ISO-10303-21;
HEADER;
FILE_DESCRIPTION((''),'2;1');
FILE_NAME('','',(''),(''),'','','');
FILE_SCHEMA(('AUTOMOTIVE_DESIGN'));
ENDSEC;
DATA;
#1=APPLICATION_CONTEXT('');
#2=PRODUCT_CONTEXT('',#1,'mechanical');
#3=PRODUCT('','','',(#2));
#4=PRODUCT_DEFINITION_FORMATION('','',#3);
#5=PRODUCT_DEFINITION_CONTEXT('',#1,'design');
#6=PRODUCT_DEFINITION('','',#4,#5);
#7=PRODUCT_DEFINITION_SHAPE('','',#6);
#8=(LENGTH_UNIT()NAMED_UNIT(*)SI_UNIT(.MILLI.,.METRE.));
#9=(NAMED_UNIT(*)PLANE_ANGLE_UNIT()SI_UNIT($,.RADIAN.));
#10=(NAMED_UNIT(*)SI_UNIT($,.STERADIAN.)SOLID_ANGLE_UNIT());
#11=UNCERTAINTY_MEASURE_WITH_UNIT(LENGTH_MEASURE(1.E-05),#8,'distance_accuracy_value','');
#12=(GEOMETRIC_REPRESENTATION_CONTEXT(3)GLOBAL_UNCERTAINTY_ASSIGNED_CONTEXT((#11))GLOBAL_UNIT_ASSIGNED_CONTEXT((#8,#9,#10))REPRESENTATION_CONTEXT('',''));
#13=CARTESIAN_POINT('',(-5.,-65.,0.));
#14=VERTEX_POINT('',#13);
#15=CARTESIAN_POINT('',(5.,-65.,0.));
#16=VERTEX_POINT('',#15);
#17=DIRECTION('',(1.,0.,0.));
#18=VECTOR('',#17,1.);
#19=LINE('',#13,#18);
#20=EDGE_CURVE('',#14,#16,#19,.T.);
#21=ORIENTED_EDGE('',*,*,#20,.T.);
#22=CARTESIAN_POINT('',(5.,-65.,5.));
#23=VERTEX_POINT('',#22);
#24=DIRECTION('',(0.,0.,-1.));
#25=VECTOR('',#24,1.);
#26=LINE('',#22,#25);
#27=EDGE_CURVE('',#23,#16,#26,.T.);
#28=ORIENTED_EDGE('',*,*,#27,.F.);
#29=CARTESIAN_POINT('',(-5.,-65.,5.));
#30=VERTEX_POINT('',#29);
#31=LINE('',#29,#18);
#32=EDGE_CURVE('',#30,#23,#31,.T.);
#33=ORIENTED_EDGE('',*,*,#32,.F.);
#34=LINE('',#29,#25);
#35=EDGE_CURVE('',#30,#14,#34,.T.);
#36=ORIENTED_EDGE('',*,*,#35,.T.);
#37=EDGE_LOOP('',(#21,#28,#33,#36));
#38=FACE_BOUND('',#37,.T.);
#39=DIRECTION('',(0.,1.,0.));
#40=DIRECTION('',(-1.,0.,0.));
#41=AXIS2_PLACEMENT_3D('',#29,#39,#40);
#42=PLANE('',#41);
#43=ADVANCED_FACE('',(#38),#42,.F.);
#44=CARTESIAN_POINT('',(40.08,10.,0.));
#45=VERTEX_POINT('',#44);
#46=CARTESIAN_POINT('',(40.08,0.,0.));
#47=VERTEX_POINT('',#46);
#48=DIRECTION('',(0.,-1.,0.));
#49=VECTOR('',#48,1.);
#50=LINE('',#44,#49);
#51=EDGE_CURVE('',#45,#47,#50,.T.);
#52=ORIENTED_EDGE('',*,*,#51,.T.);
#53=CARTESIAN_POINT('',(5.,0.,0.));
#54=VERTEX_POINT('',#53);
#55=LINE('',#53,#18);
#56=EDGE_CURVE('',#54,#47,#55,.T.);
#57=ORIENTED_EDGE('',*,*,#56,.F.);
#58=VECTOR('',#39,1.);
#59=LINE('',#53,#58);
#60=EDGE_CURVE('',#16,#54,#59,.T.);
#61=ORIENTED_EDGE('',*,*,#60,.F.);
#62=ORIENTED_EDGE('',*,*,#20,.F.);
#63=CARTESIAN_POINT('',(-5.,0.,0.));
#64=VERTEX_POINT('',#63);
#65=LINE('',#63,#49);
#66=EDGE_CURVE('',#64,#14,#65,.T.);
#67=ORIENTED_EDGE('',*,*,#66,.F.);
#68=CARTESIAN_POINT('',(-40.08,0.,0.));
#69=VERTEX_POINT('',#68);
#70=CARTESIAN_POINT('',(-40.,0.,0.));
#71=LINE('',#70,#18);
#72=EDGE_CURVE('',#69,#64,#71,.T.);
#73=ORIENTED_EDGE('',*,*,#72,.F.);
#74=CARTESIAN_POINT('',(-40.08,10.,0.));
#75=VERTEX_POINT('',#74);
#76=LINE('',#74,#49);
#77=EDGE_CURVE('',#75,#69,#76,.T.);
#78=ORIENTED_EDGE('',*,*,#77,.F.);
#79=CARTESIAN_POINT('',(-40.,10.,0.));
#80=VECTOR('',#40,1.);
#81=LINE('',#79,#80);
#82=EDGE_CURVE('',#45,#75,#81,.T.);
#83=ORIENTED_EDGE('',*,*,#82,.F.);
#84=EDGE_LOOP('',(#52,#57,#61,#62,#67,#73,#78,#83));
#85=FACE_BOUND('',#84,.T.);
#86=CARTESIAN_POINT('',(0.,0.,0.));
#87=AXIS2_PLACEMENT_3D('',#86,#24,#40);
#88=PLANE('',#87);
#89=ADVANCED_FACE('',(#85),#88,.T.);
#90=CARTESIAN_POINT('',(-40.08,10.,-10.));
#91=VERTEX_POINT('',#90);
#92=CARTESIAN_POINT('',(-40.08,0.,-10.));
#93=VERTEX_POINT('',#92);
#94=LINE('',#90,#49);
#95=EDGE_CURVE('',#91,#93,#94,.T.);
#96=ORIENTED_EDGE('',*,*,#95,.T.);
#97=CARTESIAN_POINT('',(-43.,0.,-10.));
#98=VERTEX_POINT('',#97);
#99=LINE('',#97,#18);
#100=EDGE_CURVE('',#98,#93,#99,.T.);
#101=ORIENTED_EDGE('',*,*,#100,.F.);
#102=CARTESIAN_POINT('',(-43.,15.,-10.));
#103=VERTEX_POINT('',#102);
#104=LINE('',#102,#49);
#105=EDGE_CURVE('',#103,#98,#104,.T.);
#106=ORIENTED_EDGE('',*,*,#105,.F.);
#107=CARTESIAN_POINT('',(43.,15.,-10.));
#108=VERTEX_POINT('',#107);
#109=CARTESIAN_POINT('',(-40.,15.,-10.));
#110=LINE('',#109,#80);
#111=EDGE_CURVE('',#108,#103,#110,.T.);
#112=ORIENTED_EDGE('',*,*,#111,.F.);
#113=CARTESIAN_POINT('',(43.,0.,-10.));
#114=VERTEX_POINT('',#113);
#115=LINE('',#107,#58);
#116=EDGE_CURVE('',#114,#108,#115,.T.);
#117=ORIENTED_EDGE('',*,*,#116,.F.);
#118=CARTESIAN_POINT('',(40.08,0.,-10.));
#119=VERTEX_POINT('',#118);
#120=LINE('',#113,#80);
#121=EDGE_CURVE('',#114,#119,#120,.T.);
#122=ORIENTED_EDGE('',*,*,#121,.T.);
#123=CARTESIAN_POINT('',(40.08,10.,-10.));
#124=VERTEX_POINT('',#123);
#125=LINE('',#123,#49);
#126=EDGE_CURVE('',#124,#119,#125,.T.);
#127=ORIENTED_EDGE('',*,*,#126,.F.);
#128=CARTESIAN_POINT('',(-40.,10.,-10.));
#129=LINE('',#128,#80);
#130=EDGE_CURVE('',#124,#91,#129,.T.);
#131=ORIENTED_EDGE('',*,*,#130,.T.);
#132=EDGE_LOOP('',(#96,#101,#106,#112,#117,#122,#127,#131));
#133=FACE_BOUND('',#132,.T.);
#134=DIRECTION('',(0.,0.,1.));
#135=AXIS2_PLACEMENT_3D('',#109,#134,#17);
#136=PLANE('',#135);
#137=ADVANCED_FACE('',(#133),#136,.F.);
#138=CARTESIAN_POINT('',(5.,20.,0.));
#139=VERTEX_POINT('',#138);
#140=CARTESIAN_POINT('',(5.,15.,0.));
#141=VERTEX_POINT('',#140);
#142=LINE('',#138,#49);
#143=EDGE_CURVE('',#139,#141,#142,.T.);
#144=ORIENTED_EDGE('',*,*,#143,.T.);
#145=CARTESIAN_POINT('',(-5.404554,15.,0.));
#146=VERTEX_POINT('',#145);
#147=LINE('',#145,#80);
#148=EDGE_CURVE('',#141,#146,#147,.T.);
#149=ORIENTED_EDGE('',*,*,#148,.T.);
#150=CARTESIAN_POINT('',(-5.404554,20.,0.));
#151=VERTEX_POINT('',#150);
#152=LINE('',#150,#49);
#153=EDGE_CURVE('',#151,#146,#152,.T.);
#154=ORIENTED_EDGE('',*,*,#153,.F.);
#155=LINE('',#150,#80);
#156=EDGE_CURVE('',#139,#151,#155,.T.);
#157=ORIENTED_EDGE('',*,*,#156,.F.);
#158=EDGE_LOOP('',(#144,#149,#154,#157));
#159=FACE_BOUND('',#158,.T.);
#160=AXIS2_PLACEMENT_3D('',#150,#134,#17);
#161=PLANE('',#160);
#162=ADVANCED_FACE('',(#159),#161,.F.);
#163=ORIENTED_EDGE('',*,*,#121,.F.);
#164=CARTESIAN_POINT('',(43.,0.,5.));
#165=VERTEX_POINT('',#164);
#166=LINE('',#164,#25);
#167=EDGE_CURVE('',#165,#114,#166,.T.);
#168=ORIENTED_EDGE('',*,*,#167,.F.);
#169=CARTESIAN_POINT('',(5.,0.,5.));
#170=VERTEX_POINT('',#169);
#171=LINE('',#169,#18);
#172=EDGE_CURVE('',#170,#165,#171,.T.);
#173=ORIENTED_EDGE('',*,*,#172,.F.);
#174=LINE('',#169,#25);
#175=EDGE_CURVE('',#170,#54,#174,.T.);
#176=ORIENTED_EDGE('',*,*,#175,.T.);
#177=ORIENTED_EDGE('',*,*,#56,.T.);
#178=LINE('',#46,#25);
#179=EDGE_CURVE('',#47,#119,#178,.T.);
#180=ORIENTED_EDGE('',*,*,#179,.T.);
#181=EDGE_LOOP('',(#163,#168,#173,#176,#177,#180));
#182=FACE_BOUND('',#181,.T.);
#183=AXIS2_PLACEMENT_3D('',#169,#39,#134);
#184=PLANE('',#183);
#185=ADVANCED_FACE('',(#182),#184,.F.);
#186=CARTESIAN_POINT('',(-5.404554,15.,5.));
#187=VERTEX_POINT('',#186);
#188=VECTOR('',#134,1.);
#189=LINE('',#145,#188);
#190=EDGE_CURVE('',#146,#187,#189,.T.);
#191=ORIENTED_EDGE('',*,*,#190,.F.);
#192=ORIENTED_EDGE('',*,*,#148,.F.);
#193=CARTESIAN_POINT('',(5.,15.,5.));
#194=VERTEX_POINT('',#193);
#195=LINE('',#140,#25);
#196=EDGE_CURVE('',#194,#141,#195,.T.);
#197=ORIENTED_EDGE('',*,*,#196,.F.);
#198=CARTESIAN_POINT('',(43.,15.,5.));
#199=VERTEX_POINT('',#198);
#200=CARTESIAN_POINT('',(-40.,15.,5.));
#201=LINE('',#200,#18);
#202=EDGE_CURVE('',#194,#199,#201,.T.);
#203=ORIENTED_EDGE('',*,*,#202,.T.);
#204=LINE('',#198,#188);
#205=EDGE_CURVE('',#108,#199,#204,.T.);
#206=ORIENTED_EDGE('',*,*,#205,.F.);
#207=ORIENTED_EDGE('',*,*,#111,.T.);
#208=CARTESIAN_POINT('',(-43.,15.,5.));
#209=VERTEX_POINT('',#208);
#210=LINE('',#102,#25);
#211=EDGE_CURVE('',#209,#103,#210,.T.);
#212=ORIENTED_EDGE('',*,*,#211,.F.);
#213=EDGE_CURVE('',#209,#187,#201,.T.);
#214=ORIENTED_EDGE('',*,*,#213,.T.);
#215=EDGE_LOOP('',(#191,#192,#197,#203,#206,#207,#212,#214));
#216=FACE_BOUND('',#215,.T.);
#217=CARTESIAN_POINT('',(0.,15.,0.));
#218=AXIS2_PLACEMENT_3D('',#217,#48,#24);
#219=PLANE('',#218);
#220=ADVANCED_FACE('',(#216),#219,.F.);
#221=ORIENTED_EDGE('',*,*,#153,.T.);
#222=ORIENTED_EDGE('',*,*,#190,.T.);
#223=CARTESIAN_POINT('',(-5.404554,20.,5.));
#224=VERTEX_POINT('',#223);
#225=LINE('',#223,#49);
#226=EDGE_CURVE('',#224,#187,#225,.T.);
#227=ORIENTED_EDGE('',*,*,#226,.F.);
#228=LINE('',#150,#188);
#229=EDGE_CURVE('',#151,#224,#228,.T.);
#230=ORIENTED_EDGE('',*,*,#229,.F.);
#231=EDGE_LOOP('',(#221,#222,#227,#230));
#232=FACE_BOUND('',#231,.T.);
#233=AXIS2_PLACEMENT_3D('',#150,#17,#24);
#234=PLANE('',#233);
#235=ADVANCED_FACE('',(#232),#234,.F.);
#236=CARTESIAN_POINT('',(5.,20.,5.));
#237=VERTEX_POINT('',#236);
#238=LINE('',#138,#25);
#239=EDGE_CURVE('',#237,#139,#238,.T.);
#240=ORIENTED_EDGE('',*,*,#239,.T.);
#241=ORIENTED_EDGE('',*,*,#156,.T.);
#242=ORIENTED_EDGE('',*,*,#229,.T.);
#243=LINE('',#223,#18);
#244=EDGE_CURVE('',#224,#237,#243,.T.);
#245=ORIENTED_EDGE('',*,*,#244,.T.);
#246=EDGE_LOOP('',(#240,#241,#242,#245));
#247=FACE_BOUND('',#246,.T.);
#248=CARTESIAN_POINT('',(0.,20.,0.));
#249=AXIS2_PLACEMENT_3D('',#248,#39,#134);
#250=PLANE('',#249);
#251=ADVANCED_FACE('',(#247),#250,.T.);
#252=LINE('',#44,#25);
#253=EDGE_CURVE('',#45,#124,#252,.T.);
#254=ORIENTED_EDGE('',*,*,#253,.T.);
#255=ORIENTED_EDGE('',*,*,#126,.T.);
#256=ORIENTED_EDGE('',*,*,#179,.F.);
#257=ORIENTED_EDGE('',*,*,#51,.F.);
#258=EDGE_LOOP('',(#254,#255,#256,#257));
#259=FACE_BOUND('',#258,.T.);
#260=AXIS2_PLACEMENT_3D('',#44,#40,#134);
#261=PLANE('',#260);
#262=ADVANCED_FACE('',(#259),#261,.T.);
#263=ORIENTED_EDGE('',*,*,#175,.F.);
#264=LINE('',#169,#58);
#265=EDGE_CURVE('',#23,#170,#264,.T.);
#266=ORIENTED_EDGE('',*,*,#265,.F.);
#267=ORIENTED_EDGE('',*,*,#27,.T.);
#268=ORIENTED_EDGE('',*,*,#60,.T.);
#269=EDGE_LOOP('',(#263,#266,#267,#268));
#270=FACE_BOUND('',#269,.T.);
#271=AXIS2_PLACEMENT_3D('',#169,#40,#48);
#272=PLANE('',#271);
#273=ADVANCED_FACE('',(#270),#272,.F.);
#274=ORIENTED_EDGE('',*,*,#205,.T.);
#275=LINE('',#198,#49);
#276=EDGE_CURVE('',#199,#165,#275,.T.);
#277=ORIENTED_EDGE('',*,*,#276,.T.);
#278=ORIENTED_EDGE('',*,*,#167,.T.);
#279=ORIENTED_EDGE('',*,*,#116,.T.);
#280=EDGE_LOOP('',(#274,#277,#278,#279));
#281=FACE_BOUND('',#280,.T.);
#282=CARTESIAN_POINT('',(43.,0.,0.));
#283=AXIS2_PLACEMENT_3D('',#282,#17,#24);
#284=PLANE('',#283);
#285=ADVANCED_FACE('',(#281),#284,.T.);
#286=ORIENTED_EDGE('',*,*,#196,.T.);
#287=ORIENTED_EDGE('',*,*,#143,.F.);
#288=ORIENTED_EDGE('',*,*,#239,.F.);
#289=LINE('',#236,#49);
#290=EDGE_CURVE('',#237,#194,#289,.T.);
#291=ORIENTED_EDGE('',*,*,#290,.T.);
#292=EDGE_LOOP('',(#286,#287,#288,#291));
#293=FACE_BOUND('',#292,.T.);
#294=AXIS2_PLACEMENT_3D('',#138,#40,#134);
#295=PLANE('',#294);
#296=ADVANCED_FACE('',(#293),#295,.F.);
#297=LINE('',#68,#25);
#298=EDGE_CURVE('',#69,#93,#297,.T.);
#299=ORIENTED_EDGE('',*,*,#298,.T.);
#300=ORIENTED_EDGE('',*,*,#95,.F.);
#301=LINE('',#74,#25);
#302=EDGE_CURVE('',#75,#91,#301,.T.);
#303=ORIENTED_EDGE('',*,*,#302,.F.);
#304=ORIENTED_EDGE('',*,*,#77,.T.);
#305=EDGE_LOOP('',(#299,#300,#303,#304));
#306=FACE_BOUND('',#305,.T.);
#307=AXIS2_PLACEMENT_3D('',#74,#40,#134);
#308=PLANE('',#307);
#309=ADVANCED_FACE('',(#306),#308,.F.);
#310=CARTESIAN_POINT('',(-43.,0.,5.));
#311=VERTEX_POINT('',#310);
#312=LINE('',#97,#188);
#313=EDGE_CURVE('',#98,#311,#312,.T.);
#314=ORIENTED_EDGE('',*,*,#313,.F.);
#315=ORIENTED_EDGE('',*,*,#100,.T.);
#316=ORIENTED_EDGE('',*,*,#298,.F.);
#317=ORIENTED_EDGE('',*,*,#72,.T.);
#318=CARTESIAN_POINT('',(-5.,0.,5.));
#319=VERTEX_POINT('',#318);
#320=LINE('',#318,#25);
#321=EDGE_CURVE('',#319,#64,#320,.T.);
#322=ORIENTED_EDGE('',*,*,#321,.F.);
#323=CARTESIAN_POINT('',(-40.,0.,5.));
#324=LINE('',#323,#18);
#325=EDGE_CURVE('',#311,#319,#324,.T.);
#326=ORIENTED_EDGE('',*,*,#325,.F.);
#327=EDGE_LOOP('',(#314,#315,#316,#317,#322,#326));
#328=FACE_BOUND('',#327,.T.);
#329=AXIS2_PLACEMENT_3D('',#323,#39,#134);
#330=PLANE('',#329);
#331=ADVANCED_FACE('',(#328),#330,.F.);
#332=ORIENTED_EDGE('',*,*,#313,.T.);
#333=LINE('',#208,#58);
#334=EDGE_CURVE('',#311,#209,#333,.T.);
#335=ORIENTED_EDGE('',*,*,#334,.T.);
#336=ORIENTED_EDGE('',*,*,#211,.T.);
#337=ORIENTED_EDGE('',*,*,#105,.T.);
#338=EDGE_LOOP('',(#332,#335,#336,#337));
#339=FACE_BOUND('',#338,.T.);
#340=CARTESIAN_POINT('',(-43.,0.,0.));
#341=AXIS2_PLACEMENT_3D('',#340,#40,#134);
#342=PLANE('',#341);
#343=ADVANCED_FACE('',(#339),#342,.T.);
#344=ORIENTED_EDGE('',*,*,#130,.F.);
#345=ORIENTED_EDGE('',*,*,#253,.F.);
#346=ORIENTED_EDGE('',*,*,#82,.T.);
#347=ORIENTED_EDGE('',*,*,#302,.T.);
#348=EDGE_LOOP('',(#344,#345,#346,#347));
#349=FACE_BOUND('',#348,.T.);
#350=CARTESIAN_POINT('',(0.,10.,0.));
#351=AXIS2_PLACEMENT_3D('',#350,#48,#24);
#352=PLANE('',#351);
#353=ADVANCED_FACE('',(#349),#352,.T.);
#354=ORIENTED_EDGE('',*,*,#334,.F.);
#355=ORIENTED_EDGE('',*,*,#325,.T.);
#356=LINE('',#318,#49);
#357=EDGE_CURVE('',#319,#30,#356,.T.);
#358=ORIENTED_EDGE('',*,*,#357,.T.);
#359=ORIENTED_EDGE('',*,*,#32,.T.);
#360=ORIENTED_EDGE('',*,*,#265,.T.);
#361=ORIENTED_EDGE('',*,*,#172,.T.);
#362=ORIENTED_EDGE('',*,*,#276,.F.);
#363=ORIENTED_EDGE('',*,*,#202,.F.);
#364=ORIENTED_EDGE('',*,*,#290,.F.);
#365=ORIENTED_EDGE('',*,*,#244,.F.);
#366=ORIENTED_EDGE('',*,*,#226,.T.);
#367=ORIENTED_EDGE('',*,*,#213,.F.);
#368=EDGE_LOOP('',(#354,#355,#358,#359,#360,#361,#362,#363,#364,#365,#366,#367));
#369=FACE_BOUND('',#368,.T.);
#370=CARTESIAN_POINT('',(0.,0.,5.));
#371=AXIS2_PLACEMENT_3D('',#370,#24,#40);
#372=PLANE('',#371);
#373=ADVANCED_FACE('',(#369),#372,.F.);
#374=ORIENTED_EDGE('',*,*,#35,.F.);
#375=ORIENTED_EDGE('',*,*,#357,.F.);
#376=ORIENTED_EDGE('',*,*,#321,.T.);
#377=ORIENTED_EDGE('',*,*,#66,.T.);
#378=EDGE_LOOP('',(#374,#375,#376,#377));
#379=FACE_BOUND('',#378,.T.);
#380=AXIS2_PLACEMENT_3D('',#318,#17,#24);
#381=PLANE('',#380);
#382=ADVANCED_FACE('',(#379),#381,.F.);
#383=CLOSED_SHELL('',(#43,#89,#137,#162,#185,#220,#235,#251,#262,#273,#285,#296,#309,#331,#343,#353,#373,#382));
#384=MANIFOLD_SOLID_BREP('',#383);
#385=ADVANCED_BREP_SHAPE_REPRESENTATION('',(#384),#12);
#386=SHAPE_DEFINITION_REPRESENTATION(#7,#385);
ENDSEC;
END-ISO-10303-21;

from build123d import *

# Parameters (mm, degrees)
BOSS_EXTRUDE1_DEPTH = 5
SKETCH2_W           = 80
SKETCH2_H           = 15
BOSS_EXTRUDE2_DEPTH = 5
SKETCH3_W           = 15
SKETCH3_H           = 15
BOSS_EXTRUDE3_DEPTH = 3
SKETCH4_W           = 15
SKETCH4_H           = 15
BOSS_EXTRUDE4_DEPTH = 3
SKETCH5_W           = 0.08
SKETCH5_H           = 10
CUT_EXTRUDE1_DEPTH  = 10
SKETCH6_W           = 10.40455395
SKETCH6_H           = 5
BOSS_EXTRUDE5_DEPTH = 5


with BuildPart() as part:
    # Sketch1 → Boss-Extrude1 (new body)
    with BuildSketch(Plane.XY):
        Polygon((-40, 10), (40, 10), (40, 0), (5, 0), (5, -65), (-5, -65), (-5, 0), (-40, 0), align=None)
    extrude(amount=BOSS_EXTRUDE1_DEPTH)

    # Sketch2 → Boss-Extrude2 (add)
    with BuildSketch(Plane(origin=(0, 10, 0), x_dir=(1, 0, 0), z_dir=(0, 1, 0))):
        with Locations((0, 2.5)):
            Rectangle(SKETCH2_W, SKETCH2_H)
    extrude(amount=BOSS_EXTRUDE2_DEPTH)

    # Sketch3 → Boss-Extrude3 (add)
    with BuildSketch(Plane(origin=(40, 0, 0), x_dir=(0, 0, -1), z_dir=(1, 0, 0))):
        with Locations((2.5, 7.5)):
            Rectangle(SKETCH3_W, SKETCH3_H)
    extrude(amount=BOSS_EXTRUDE3_DEPTH)

    # Sketch4 → Boss-Extrude4 (add)
    with BuildSketch(Plane.ZY.offset(40)):
        with Locations((-2.5, 7.5)):
            Rectangle(SKETCH4_W, SKETCH4_H)
    extrude(amount=BOSS_EXTRUDE4_DEPTH)

    # Sketch5 → Cut-Extrude1 (cut)
    with BuildSketch(Plane.XZ):
        with Locations((-40.04, -5)):
            Rectangle(SKETCH5_W, SKETCH5_H)
        with Locations((40.04, -5)):
            Rectangle(SKETCH5_W, SKETCH5_H)
    extrude(amount=-CUT_EXTRUDE1_DEPTH, mode=Mode.SUBTRACT)

    # Sketch6 → Boss-Extrude5 (add)
    with BuildSketch(Plane(origin=(0, 15, 0), x_dir=(1, 0, 0), z_dir=(0, 1, 0))):
        with Locations((-0.202276975, -2.5)):
            Rectangle(SKETCH6_W, SKETCH6_H)
    extrude(amount=BOSS_EXTRUDE5_DEPTH)


solid = part.part
